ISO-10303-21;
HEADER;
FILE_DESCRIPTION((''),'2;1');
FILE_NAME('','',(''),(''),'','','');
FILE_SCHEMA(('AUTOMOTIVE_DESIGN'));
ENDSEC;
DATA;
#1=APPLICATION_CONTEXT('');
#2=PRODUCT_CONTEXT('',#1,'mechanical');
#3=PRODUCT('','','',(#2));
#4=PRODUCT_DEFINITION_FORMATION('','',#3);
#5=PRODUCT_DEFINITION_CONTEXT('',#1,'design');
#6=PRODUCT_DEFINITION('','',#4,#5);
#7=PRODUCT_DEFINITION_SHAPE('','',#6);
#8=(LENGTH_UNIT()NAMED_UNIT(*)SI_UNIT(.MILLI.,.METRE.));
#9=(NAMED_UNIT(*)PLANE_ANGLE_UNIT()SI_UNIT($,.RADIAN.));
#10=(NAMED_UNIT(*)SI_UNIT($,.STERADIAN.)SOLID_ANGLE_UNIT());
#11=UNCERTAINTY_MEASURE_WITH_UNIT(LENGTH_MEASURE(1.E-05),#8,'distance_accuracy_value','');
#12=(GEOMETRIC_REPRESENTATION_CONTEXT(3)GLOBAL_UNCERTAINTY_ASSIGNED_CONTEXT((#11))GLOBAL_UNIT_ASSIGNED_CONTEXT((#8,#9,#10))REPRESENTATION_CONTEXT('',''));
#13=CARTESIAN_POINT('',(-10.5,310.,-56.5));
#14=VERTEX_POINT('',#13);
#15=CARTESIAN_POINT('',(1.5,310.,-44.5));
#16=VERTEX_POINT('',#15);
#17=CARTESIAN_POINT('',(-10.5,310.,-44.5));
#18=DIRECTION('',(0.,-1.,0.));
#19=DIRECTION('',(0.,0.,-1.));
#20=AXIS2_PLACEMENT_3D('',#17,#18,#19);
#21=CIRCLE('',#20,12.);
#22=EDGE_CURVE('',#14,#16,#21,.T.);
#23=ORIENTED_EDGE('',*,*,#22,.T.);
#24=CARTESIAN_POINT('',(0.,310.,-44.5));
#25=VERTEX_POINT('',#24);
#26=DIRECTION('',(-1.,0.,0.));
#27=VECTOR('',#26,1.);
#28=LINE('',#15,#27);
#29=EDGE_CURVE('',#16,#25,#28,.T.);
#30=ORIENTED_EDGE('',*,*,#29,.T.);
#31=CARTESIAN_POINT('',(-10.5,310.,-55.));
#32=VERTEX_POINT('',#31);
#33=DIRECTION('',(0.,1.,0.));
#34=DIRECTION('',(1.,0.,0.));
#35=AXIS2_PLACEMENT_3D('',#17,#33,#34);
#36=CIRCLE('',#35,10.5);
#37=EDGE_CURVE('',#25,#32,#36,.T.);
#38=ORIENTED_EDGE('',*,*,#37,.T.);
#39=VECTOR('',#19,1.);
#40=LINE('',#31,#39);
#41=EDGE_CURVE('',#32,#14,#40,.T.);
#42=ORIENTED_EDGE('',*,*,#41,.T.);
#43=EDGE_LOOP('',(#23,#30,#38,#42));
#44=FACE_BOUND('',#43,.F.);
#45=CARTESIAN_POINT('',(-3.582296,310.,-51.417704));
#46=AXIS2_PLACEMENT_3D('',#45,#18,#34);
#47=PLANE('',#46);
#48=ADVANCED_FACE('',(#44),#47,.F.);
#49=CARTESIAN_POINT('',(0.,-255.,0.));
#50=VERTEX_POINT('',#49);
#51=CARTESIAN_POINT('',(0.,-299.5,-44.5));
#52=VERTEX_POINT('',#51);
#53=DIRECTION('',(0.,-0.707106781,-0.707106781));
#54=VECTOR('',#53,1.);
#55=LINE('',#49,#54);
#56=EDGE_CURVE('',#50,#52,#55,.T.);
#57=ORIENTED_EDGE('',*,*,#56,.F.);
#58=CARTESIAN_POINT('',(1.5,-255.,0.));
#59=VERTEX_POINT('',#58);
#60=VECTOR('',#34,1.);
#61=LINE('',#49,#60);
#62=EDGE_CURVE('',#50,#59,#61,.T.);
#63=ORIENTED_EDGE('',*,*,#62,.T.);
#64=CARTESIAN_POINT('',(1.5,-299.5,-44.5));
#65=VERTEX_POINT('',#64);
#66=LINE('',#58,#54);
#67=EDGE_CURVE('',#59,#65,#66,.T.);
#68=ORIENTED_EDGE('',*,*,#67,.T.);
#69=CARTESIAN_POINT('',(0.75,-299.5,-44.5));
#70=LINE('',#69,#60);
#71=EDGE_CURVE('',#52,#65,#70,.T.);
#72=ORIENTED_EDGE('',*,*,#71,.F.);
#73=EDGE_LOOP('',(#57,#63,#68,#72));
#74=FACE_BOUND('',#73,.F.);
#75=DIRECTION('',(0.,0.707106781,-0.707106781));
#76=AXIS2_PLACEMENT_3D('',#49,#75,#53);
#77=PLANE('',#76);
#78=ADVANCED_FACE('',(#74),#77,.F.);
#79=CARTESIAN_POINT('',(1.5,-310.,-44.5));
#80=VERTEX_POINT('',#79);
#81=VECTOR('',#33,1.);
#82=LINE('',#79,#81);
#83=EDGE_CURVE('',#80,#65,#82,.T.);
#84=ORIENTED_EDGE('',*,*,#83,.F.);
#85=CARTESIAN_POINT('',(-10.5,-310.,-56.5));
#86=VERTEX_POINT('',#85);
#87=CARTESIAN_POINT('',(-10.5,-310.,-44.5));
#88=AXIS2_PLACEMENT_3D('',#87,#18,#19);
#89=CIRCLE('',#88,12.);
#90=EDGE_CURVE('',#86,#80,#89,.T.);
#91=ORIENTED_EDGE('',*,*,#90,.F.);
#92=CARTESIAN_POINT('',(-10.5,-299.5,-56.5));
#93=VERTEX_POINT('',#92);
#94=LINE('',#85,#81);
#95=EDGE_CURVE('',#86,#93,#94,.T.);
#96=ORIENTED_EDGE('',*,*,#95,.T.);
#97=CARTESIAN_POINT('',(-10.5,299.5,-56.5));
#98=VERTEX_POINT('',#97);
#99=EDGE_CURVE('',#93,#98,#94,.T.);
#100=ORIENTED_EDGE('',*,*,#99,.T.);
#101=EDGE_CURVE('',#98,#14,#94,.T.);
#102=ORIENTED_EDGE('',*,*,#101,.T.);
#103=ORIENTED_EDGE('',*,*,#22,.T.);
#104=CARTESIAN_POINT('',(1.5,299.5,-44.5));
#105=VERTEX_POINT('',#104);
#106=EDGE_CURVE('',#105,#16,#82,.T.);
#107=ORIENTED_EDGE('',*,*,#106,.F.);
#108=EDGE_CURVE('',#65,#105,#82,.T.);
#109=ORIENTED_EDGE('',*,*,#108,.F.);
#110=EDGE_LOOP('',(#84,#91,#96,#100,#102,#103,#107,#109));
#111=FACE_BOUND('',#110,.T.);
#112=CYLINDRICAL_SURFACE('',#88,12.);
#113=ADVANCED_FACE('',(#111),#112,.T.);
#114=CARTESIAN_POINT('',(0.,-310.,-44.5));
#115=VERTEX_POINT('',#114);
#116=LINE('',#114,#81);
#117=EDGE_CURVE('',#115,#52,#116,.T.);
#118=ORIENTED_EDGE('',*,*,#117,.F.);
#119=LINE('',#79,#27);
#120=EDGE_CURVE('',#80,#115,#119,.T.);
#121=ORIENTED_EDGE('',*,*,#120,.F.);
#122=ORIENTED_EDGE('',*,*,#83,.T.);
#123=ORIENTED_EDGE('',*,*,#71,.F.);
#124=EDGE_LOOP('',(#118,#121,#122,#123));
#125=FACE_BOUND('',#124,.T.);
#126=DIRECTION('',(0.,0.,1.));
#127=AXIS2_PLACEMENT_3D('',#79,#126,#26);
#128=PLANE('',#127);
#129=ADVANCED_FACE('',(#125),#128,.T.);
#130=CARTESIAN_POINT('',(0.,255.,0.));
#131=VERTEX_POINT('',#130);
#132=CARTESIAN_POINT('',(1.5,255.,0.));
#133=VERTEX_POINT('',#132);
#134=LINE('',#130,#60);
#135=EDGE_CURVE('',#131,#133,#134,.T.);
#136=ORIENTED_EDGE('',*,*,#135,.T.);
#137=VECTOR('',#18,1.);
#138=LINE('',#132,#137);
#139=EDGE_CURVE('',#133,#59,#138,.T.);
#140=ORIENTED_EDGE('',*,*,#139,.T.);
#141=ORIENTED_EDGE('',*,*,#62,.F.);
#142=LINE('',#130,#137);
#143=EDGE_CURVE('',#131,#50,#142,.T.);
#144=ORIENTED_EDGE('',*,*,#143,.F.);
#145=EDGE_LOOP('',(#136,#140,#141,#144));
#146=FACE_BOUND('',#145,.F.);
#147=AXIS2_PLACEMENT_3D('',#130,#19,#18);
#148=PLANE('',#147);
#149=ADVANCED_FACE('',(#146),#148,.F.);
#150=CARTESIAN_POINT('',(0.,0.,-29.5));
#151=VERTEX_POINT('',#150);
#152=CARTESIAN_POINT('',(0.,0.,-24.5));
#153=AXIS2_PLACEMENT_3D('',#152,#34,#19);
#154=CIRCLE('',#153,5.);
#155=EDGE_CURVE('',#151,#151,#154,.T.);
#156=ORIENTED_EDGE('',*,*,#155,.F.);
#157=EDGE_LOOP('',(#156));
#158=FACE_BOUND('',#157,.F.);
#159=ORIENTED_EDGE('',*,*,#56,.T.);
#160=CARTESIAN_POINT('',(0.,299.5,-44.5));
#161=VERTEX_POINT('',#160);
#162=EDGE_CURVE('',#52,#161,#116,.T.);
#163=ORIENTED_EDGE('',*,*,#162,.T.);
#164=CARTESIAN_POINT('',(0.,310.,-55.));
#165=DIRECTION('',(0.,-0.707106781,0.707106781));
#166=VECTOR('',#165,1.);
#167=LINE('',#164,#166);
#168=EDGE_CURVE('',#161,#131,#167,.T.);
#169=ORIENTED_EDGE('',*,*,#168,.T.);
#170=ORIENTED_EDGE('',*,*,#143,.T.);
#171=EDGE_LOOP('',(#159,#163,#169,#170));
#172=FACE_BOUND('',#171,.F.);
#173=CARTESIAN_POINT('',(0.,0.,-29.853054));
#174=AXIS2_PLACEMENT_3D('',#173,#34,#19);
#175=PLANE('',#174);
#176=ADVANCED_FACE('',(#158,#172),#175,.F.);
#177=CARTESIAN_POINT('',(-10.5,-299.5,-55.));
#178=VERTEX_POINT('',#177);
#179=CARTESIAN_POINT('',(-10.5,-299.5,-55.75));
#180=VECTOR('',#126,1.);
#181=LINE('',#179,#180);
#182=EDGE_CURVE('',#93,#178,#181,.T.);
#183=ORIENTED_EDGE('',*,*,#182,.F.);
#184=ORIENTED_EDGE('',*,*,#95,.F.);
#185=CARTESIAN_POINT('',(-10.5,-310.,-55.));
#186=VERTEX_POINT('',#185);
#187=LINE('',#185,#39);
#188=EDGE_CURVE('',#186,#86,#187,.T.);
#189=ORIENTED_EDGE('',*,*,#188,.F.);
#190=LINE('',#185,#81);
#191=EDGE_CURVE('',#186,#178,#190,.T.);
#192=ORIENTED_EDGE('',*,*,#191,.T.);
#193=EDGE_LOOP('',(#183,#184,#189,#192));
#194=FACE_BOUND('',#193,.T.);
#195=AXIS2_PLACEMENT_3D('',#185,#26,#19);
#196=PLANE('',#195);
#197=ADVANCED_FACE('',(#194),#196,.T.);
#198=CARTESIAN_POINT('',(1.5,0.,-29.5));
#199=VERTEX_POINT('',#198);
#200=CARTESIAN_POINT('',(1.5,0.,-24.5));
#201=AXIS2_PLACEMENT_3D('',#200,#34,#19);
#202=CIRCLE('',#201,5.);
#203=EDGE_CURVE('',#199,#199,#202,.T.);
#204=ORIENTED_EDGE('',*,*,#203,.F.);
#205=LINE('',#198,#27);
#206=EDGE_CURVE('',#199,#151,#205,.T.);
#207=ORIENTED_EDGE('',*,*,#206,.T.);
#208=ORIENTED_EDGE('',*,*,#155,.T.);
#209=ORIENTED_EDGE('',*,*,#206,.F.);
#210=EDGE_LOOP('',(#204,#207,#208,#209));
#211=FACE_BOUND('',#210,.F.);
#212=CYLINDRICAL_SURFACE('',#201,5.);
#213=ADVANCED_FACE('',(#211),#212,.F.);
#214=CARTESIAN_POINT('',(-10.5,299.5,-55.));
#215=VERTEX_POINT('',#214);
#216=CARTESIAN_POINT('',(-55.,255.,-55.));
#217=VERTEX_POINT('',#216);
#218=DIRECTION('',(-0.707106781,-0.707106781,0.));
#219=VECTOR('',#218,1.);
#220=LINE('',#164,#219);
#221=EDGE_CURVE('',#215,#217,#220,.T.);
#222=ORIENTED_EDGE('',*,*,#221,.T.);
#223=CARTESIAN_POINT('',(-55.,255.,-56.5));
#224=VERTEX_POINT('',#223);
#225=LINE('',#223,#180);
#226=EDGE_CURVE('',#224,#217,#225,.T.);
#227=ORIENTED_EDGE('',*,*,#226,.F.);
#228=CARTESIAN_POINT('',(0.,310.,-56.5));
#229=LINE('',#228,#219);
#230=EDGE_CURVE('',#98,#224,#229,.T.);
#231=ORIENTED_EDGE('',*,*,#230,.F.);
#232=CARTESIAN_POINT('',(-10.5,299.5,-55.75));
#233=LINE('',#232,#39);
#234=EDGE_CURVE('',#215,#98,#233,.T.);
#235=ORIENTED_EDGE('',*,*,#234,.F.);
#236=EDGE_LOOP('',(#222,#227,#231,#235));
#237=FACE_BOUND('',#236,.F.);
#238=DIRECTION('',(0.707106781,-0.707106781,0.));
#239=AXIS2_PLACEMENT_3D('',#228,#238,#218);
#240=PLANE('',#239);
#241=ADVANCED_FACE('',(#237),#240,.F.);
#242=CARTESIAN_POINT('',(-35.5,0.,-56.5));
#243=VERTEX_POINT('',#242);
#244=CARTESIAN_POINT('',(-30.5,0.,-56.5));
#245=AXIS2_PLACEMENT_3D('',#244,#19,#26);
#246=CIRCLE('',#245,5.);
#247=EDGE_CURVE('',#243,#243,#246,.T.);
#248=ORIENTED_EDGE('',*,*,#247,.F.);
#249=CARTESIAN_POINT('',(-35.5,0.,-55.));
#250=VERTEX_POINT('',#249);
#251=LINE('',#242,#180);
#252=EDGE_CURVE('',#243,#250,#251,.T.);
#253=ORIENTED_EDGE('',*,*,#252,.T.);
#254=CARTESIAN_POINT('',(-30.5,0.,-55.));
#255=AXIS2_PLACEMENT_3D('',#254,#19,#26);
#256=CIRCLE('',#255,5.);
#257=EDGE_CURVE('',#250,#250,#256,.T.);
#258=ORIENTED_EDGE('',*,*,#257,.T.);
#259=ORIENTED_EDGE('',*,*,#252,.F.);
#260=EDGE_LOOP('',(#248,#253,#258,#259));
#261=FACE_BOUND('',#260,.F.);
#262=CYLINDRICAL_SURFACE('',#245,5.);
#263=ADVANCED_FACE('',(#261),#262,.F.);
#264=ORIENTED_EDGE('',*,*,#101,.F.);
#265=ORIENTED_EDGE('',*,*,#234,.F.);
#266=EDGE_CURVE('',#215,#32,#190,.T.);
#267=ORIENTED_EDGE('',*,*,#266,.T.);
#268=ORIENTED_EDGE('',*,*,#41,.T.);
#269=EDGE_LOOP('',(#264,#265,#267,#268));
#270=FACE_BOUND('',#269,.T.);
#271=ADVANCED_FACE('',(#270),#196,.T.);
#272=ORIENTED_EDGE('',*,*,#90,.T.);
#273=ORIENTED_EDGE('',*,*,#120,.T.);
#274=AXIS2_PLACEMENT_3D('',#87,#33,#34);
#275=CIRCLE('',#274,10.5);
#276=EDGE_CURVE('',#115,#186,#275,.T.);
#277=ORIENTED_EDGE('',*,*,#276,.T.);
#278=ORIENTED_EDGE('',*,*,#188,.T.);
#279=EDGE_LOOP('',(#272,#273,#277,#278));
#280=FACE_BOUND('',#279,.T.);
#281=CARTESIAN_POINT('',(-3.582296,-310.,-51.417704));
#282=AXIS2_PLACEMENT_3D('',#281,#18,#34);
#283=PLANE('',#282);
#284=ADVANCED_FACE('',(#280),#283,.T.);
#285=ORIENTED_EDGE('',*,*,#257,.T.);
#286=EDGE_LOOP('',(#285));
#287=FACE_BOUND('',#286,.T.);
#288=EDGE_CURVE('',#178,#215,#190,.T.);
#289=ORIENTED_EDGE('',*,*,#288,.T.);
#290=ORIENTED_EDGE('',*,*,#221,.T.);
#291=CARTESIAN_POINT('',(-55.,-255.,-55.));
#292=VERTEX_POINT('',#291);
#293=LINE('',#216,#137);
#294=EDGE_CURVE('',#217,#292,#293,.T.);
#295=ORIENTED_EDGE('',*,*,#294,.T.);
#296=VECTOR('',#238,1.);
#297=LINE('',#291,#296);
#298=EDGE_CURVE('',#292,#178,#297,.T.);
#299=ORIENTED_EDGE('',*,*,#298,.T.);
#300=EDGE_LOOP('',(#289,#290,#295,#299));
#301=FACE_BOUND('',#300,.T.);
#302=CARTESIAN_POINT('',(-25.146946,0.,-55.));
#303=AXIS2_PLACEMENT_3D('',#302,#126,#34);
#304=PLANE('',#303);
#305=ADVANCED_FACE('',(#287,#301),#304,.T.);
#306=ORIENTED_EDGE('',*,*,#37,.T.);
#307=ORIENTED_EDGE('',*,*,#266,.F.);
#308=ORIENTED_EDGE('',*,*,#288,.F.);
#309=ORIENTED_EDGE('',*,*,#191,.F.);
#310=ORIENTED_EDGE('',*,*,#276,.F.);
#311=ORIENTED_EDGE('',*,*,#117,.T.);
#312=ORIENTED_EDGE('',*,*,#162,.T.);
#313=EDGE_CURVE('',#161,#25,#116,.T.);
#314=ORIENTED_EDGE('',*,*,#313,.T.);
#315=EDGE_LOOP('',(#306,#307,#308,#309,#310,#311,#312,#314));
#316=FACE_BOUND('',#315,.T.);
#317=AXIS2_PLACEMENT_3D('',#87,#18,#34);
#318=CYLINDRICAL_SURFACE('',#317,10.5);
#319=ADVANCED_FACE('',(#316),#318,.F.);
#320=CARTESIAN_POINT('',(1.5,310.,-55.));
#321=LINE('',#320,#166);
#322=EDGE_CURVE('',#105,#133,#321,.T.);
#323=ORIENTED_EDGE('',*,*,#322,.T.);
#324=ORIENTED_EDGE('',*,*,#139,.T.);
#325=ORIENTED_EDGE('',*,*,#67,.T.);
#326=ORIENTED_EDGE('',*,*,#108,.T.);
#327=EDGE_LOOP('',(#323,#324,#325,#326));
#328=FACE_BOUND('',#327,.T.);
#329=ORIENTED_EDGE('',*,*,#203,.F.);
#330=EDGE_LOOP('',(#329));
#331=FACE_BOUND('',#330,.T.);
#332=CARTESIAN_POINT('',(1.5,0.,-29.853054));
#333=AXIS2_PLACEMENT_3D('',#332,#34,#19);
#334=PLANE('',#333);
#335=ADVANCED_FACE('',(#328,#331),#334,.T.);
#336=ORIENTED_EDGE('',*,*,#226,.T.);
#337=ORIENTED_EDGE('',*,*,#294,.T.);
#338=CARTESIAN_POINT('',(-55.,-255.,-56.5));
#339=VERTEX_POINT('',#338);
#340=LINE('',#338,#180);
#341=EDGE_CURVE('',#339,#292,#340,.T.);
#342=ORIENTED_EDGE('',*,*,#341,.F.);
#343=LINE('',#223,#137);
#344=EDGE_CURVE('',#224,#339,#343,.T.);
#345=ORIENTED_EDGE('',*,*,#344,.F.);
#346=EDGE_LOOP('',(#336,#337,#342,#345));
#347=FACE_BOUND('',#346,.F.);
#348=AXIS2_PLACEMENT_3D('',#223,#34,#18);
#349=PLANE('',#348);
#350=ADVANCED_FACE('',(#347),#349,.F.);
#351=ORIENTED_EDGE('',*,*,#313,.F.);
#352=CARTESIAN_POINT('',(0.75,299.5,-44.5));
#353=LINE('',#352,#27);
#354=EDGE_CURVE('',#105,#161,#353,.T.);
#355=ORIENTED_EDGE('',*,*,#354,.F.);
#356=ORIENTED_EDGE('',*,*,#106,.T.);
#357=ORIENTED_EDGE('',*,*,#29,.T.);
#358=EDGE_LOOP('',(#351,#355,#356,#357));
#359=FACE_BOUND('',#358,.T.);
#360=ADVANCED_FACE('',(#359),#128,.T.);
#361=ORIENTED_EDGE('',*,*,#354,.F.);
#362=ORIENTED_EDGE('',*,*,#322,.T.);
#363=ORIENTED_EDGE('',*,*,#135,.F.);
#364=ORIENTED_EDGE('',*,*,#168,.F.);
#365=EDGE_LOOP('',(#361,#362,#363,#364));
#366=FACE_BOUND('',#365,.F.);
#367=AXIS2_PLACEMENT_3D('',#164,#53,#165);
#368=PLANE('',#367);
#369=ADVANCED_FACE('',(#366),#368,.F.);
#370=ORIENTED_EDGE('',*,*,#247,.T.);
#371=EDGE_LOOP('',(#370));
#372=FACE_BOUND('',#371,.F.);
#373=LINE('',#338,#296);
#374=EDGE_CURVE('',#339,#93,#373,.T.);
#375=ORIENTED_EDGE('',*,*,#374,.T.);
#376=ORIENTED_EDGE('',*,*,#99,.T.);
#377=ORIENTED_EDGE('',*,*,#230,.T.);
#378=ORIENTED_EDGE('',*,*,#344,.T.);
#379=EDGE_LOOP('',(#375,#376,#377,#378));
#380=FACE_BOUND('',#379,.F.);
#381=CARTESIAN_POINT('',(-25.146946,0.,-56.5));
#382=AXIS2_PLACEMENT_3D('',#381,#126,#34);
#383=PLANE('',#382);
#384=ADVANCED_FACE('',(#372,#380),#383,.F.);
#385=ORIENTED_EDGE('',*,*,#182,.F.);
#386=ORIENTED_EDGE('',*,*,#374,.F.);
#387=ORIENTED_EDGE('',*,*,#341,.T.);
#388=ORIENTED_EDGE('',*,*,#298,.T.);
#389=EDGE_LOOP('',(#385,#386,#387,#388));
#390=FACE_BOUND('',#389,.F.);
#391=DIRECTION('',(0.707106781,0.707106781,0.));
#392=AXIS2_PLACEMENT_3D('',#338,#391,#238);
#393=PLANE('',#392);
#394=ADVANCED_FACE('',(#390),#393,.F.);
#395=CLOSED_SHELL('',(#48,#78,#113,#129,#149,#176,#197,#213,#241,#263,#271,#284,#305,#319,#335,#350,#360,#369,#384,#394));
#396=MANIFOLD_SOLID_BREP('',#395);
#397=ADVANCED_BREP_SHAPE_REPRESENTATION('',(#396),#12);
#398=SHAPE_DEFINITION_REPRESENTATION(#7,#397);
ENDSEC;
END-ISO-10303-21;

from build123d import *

# Parameters (mm, degrees)
SKETCH1_W               = 1.5
SKETCH1_H               = 620
BOSS_EXTRUDE1_DEPTH     = 1.5
BOSS_EXTRUDE3_DEPTH     = 1.5
SKETCH5_W               = 1.5
SKETCH5_H               = 1.5
CUT_EXTRUDE1_DEPTH      = 1
CUT_EXTRUDE1_DEPTH_BACK = 621
BOSS_EXTRUDE4_DEPTH     = 620
SKETCH6_R               = 5
CUT_EXTRUDE2_DEPTH      = 1
CUT_EXTRUDE2_DEPTH_BACK = 57.5
SKETCH7_R               = 5
CUT_EXTRUDE3_DEPTH      = 1
CUT_EXTRUDE3_DEPTH_BACK = 57.5


with BuildPart() as part:
    # Sketch1 → Boss-Extrude1 (new body)
    with BuildSketch(Plane(origin=(0, 0, 0), x_dir=(0, 0, -1), z_dir=(1, 0, 0))):
        Polygon((0, 255), (0, -255), (55, -310), (55, 310), align=None)
        with Locations((55.75, 0)):
            Rectangle(SKETCH1_W, SKETCH1_H)
    extrude(amount=BOSS_EXTRUDE1_DEPTH)

    # Sketch2 → Boss-Extrude3 (add)
    with BuildSketch(Plane(origin=(0, 0, -56.5), x_dir=(-1, 0, 0), z_dir=(0, 0, -1))):
        Polygon((55, 255), (55, -255), (0, -310), (0, 310), align=None)
    extrude(amount=-BOSS_EXTRUDE3_DEPTH)

    # Sketch5 → Cut-Extrude1 (cut, two sides)
    with BuildSketch(Plane.XZ.offset(310)) as cut_extrude1_sk:
        with BuildLine():
            ThreePointArc((1.5, -44.5), (-2.014718626, -52.985281374), (-10.5, -56.5))
            Line((-10.5, -56.5), (0, -56.5))
            Line((0, -56.5), (0, -55))
            Line((0, -55), (1.5, -55))
            Line((1.5, -55), (1.5, -44.5))
        make_face()
        with Locations((0.75, -55.75)):
            Rectangle(SKETCH5_W, SKETCH5_H)
    extrude(amount=CUT_EXTRUDE1_DEPTH, mode=Mode.SUBTRACT)
    extrude(cut_extrude1_sk.sketch, amount=-CUT_EXTRUDE1_DEPTH_BACK, mode=Mode.SUBTRACT)

    # Sketch5<3> → Boss-Extrude4 (add)
    with BuildSketch(Plane.XZ.offset(310)):
        with BuildLine():
            Line((-10.5, -55), (-10.5, -56.5))
            ThreePointArc((-10.5, -56.5), (-2.014718626, -52.985281374), (1.5, -44.5))
            Line((1.5, -44.5), (0, -44.5))
            ThreePointArc((0, -44.5), (-3.075378798, -51.924621202), (-10.5, -55))
        make_face()
    extrude(amount=-BOSS_EXTRUDE4_DEPTH)

    # Sketch6 → Cut-Extrude2 (cut, two sides)
    with BuildSketch(Plane(origin=(1.5, 0, 0), x_dir=(0, 0, -1), z_dir=(1, 0, 0))) as cut_extrude2_sk:
        with Locations((24.5, 0)):
            Circle(SKETCH6_R)
    extrude(amount=CUT_EXTRUDE2_DEPTH, mode=Mode.SUBTRACT)
    extrude(cut_extrude2_sk.sketch, amount=-CUT_EXTRUDE2_DEPTH_BACK, mode=Mode.SUBTRACT)

    # Sketch7 → Cut-Extrude3 (cut, two sides)
    with BuildSketch(Plane(origin=(0, 0, -56.5), x_dir=(-1, 0, 0), z_dir=(0, 0, -1))) as cut_extrude3_sk:
        with Locations((30.5, 0)):
            Circle(SKETCH7_R)
    extrude(amount=CUT_EXTRUDE3_DEPTH, mode=Mode.SUBTRACT)
    extrude(cut_extrude3_sk.sketch, amount=-CUT_EXTRUDE3_DEPTH_BACK, mode=Mode.SUBTRACT)


solid = part.part
